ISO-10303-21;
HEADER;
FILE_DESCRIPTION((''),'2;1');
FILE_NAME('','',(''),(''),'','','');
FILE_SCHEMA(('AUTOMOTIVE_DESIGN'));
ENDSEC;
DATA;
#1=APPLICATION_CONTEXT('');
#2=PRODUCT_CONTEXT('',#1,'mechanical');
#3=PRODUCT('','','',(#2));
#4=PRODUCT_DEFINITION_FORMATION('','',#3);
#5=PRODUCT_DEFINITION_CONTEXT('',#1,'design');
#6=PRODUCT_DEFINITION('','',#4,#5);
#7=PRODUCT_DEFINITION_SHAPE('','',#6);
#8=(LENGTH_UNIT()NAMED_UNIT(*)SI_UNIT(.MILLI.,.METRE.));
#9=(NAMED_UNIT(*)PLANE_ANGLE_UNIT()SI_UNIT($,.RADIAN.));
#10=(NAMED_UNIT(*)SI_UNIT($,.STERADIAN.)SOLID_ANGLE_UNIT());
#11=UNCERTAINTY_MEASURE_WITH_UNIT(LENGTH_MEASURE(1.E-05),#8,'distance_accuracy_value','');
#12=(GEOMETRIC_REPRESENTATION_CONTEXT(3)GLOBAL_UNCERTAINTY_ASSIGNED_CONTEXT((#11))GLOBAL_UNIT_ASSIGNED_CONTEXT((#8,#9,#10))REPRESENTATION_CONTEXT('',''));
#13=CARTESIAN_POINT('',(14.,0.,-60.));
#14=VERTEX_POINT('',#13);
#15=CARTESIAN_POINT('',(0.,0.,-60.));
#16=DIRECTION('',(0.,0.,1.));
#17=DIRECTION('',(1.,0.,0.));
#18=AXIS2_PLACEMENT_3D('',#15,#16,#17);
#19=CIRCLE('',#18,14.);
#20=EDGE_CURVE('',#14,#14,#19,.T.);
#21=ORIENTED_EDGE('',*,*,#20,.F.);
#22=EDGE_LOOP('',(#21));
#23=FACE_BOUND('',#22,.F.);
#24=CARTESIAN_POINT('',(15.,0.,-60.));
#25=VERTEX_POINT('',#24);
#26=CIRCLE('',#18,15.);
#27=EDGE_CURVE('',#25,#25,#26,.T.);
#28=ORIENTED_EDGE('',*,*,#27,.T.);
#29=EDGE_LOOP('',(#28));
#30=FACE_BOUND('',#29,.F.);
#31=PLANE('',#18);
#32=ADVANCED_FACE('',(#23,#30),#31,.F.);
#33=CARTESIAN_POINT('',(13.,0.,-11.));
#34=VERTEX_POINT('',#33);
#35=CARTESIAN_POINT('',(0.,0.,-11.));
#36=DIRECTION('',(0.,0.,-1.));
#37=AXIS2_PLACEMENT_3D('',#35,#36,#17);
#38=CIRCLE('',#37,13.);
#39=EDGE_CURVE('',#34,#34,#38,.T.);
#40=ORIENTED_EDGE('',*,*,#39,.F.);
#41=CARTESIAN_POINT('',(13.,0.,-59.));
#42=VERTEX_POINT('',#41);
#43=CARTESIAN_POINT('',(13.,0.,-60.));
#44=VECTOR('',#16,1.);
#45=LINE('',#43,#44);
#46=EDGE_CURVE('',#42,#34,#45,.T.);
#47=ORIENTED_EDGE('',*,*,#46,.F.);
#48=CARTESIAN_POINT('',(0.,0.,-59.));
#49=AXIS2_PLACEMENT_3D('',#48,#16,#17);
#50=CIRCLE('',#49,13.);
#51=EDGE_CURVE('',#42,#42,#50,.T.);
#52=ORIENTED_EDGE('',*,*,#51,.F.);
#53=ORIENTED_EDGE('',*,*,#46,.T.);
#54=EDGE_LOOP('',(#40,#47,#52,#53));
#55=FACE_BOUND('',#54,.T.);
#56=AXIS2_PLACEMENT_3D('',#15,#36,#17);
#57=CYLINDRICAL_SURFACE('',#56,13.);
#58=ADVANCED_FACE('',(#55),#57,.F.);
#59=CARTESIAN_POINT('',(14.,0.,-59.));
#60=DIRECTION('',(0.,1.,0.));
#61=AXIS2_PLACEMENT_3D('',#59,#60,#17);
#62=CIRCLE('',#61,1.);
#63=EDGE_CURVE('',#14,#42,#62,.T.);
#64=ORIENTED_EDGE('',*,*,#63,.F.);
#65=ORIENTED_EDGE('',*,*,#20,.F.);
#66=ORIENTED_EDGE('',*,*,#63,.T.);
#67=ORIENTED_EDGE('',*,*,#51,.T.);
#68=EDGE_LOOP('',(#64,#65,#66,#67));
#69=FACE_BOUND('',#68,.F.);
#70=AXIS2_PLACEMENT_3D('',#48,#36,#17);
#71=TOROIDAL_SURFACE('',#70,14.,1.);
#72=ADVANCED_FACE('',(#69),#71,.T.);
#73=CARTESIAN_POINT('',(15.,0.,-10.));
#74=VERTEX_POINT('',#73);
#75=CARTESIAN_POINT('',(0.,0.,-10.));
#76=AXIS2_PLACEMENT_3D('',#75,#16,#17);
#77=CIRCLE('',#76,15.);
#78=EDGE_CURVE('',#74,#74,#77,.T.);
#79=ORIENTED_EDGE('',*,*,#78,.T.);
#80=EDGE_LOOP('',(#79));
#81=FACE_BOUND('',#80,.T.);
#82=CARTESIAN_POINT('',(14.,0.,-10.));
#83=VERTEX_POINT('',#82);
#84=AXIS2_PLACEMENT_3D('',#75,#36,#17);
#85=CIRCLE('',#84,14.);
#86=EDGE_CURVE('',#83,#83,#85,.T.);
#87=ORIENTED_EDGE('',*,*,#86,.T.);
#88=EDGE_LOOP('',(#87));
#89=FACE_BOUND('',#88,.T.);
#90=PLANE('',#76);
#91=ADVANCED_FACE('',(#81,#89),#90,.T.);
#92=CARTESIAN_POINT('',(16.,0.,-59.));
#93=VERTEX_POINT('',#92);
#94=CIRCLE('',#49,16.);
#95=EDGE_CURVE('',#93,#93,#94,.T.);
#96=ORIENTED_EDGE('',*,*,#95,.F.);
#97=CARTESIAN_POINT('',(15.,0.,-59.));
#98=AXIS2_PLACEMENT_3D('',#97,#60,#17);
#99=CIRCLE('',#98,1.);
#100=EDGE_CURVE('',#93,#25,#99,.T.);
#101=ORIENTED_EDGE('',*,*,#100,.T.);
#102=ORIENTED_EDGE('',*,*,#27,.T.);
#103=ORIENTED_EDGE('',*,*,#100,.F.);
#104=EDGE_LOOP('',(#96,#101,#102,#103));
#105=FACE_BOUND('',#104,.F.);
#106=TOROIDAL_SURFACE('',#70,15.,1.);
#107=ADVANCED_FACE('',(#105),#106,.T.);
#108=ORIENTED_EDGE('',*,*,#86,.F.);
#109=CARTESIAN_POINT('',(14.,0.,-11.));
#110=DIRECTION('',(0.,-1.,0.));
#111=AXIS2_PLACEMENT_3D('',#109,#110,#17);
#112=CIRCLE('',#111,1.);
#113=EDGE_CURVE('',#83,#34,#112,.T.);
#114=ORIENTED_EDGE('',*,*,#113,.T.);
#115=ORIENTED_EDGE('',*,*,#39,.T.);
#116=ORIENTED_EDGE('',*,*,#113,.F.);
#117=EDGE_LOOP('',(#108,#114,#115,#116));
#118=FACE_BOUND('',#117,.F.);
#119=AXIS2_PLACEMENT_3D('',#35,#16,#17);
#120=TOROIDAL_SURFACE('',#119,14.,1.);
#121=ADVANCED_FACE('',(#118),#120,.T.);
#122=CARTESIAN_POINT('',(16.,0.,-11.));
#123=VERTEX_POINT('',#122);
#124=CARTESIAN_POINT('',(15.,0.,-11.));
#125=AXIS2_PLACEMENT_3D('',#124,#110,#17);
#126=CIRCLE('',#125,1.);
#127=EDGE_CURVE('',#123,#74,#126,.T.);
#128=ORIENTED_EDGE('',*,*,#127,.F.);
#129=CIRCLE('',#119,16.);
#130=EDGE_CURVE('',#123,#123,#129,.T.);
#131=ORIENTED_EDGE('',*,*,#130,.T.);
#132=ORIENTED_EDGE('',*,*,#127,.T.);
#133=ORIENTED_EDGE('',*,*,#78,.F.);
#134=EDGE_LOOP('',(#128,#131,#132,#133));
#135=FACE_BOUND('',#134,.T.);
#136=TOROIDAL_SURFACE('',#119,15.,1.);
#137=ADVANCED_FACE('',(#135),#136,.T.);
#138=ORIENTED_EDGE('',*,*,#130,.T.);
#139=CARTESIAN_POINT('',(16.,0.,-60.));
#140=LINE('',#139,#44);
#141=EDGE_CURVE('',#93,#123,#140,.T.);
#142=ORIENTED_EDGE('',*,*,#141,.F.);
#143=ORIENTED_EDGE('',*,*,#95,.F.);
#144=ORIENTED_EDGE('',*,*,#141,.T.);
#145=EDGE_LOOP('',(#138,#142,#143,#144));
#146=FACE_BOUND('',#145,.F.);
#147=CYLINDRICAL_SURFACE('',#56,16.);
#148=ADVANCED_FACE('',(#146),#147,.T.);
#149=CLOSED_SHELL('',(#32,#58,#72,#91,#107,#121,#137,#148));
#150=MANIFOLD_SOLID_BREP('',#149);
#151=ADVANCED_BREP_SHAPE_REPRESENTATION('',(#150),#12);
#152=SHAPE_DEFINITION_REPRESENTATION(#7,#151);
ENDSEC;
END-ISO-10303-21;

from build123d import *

# Parameters (mm, degrees)
CYLINDER001_R     = 13
CYLINDER001_DEPTH = 120
CYLINDER_R        = 16
CYLINDER_DEPTH    = 50
FILLET_R          = 1


with BuildPart() as indre_hul:
    # Cylinder001 → Cylinder001 (new body)
    with BuildSketch(Plane.XY.offset(-60)):
        Circle(CYLINDER001_R)
    extrude(amount=CYLINDER001_DEPTH)


with BuildPart() as fillet_body:
    # Cylinder → Cylinder (new body)
    with BuildSketch(Plane.XY.offset(-60)):
        Circle(CYLINDER_R)
    extrude(amount=CYLINDER_DEPTH)

    # Cut: cut Indre hul
    add(indre_hul.part, mode=Mode.SUBTRACT)

    # Fillet
    fillet_edges = [fillet_body.edges().sort_by_distance(p)[0] for p in [
        (-16, 0, -10),
        (-16, 0, -60),
        (-13, 0, -10),
        (-13, 0, -60),
    ]]
    fillet(fillet_edges, radius=FILLET_R)


solid = fillet_body.part
